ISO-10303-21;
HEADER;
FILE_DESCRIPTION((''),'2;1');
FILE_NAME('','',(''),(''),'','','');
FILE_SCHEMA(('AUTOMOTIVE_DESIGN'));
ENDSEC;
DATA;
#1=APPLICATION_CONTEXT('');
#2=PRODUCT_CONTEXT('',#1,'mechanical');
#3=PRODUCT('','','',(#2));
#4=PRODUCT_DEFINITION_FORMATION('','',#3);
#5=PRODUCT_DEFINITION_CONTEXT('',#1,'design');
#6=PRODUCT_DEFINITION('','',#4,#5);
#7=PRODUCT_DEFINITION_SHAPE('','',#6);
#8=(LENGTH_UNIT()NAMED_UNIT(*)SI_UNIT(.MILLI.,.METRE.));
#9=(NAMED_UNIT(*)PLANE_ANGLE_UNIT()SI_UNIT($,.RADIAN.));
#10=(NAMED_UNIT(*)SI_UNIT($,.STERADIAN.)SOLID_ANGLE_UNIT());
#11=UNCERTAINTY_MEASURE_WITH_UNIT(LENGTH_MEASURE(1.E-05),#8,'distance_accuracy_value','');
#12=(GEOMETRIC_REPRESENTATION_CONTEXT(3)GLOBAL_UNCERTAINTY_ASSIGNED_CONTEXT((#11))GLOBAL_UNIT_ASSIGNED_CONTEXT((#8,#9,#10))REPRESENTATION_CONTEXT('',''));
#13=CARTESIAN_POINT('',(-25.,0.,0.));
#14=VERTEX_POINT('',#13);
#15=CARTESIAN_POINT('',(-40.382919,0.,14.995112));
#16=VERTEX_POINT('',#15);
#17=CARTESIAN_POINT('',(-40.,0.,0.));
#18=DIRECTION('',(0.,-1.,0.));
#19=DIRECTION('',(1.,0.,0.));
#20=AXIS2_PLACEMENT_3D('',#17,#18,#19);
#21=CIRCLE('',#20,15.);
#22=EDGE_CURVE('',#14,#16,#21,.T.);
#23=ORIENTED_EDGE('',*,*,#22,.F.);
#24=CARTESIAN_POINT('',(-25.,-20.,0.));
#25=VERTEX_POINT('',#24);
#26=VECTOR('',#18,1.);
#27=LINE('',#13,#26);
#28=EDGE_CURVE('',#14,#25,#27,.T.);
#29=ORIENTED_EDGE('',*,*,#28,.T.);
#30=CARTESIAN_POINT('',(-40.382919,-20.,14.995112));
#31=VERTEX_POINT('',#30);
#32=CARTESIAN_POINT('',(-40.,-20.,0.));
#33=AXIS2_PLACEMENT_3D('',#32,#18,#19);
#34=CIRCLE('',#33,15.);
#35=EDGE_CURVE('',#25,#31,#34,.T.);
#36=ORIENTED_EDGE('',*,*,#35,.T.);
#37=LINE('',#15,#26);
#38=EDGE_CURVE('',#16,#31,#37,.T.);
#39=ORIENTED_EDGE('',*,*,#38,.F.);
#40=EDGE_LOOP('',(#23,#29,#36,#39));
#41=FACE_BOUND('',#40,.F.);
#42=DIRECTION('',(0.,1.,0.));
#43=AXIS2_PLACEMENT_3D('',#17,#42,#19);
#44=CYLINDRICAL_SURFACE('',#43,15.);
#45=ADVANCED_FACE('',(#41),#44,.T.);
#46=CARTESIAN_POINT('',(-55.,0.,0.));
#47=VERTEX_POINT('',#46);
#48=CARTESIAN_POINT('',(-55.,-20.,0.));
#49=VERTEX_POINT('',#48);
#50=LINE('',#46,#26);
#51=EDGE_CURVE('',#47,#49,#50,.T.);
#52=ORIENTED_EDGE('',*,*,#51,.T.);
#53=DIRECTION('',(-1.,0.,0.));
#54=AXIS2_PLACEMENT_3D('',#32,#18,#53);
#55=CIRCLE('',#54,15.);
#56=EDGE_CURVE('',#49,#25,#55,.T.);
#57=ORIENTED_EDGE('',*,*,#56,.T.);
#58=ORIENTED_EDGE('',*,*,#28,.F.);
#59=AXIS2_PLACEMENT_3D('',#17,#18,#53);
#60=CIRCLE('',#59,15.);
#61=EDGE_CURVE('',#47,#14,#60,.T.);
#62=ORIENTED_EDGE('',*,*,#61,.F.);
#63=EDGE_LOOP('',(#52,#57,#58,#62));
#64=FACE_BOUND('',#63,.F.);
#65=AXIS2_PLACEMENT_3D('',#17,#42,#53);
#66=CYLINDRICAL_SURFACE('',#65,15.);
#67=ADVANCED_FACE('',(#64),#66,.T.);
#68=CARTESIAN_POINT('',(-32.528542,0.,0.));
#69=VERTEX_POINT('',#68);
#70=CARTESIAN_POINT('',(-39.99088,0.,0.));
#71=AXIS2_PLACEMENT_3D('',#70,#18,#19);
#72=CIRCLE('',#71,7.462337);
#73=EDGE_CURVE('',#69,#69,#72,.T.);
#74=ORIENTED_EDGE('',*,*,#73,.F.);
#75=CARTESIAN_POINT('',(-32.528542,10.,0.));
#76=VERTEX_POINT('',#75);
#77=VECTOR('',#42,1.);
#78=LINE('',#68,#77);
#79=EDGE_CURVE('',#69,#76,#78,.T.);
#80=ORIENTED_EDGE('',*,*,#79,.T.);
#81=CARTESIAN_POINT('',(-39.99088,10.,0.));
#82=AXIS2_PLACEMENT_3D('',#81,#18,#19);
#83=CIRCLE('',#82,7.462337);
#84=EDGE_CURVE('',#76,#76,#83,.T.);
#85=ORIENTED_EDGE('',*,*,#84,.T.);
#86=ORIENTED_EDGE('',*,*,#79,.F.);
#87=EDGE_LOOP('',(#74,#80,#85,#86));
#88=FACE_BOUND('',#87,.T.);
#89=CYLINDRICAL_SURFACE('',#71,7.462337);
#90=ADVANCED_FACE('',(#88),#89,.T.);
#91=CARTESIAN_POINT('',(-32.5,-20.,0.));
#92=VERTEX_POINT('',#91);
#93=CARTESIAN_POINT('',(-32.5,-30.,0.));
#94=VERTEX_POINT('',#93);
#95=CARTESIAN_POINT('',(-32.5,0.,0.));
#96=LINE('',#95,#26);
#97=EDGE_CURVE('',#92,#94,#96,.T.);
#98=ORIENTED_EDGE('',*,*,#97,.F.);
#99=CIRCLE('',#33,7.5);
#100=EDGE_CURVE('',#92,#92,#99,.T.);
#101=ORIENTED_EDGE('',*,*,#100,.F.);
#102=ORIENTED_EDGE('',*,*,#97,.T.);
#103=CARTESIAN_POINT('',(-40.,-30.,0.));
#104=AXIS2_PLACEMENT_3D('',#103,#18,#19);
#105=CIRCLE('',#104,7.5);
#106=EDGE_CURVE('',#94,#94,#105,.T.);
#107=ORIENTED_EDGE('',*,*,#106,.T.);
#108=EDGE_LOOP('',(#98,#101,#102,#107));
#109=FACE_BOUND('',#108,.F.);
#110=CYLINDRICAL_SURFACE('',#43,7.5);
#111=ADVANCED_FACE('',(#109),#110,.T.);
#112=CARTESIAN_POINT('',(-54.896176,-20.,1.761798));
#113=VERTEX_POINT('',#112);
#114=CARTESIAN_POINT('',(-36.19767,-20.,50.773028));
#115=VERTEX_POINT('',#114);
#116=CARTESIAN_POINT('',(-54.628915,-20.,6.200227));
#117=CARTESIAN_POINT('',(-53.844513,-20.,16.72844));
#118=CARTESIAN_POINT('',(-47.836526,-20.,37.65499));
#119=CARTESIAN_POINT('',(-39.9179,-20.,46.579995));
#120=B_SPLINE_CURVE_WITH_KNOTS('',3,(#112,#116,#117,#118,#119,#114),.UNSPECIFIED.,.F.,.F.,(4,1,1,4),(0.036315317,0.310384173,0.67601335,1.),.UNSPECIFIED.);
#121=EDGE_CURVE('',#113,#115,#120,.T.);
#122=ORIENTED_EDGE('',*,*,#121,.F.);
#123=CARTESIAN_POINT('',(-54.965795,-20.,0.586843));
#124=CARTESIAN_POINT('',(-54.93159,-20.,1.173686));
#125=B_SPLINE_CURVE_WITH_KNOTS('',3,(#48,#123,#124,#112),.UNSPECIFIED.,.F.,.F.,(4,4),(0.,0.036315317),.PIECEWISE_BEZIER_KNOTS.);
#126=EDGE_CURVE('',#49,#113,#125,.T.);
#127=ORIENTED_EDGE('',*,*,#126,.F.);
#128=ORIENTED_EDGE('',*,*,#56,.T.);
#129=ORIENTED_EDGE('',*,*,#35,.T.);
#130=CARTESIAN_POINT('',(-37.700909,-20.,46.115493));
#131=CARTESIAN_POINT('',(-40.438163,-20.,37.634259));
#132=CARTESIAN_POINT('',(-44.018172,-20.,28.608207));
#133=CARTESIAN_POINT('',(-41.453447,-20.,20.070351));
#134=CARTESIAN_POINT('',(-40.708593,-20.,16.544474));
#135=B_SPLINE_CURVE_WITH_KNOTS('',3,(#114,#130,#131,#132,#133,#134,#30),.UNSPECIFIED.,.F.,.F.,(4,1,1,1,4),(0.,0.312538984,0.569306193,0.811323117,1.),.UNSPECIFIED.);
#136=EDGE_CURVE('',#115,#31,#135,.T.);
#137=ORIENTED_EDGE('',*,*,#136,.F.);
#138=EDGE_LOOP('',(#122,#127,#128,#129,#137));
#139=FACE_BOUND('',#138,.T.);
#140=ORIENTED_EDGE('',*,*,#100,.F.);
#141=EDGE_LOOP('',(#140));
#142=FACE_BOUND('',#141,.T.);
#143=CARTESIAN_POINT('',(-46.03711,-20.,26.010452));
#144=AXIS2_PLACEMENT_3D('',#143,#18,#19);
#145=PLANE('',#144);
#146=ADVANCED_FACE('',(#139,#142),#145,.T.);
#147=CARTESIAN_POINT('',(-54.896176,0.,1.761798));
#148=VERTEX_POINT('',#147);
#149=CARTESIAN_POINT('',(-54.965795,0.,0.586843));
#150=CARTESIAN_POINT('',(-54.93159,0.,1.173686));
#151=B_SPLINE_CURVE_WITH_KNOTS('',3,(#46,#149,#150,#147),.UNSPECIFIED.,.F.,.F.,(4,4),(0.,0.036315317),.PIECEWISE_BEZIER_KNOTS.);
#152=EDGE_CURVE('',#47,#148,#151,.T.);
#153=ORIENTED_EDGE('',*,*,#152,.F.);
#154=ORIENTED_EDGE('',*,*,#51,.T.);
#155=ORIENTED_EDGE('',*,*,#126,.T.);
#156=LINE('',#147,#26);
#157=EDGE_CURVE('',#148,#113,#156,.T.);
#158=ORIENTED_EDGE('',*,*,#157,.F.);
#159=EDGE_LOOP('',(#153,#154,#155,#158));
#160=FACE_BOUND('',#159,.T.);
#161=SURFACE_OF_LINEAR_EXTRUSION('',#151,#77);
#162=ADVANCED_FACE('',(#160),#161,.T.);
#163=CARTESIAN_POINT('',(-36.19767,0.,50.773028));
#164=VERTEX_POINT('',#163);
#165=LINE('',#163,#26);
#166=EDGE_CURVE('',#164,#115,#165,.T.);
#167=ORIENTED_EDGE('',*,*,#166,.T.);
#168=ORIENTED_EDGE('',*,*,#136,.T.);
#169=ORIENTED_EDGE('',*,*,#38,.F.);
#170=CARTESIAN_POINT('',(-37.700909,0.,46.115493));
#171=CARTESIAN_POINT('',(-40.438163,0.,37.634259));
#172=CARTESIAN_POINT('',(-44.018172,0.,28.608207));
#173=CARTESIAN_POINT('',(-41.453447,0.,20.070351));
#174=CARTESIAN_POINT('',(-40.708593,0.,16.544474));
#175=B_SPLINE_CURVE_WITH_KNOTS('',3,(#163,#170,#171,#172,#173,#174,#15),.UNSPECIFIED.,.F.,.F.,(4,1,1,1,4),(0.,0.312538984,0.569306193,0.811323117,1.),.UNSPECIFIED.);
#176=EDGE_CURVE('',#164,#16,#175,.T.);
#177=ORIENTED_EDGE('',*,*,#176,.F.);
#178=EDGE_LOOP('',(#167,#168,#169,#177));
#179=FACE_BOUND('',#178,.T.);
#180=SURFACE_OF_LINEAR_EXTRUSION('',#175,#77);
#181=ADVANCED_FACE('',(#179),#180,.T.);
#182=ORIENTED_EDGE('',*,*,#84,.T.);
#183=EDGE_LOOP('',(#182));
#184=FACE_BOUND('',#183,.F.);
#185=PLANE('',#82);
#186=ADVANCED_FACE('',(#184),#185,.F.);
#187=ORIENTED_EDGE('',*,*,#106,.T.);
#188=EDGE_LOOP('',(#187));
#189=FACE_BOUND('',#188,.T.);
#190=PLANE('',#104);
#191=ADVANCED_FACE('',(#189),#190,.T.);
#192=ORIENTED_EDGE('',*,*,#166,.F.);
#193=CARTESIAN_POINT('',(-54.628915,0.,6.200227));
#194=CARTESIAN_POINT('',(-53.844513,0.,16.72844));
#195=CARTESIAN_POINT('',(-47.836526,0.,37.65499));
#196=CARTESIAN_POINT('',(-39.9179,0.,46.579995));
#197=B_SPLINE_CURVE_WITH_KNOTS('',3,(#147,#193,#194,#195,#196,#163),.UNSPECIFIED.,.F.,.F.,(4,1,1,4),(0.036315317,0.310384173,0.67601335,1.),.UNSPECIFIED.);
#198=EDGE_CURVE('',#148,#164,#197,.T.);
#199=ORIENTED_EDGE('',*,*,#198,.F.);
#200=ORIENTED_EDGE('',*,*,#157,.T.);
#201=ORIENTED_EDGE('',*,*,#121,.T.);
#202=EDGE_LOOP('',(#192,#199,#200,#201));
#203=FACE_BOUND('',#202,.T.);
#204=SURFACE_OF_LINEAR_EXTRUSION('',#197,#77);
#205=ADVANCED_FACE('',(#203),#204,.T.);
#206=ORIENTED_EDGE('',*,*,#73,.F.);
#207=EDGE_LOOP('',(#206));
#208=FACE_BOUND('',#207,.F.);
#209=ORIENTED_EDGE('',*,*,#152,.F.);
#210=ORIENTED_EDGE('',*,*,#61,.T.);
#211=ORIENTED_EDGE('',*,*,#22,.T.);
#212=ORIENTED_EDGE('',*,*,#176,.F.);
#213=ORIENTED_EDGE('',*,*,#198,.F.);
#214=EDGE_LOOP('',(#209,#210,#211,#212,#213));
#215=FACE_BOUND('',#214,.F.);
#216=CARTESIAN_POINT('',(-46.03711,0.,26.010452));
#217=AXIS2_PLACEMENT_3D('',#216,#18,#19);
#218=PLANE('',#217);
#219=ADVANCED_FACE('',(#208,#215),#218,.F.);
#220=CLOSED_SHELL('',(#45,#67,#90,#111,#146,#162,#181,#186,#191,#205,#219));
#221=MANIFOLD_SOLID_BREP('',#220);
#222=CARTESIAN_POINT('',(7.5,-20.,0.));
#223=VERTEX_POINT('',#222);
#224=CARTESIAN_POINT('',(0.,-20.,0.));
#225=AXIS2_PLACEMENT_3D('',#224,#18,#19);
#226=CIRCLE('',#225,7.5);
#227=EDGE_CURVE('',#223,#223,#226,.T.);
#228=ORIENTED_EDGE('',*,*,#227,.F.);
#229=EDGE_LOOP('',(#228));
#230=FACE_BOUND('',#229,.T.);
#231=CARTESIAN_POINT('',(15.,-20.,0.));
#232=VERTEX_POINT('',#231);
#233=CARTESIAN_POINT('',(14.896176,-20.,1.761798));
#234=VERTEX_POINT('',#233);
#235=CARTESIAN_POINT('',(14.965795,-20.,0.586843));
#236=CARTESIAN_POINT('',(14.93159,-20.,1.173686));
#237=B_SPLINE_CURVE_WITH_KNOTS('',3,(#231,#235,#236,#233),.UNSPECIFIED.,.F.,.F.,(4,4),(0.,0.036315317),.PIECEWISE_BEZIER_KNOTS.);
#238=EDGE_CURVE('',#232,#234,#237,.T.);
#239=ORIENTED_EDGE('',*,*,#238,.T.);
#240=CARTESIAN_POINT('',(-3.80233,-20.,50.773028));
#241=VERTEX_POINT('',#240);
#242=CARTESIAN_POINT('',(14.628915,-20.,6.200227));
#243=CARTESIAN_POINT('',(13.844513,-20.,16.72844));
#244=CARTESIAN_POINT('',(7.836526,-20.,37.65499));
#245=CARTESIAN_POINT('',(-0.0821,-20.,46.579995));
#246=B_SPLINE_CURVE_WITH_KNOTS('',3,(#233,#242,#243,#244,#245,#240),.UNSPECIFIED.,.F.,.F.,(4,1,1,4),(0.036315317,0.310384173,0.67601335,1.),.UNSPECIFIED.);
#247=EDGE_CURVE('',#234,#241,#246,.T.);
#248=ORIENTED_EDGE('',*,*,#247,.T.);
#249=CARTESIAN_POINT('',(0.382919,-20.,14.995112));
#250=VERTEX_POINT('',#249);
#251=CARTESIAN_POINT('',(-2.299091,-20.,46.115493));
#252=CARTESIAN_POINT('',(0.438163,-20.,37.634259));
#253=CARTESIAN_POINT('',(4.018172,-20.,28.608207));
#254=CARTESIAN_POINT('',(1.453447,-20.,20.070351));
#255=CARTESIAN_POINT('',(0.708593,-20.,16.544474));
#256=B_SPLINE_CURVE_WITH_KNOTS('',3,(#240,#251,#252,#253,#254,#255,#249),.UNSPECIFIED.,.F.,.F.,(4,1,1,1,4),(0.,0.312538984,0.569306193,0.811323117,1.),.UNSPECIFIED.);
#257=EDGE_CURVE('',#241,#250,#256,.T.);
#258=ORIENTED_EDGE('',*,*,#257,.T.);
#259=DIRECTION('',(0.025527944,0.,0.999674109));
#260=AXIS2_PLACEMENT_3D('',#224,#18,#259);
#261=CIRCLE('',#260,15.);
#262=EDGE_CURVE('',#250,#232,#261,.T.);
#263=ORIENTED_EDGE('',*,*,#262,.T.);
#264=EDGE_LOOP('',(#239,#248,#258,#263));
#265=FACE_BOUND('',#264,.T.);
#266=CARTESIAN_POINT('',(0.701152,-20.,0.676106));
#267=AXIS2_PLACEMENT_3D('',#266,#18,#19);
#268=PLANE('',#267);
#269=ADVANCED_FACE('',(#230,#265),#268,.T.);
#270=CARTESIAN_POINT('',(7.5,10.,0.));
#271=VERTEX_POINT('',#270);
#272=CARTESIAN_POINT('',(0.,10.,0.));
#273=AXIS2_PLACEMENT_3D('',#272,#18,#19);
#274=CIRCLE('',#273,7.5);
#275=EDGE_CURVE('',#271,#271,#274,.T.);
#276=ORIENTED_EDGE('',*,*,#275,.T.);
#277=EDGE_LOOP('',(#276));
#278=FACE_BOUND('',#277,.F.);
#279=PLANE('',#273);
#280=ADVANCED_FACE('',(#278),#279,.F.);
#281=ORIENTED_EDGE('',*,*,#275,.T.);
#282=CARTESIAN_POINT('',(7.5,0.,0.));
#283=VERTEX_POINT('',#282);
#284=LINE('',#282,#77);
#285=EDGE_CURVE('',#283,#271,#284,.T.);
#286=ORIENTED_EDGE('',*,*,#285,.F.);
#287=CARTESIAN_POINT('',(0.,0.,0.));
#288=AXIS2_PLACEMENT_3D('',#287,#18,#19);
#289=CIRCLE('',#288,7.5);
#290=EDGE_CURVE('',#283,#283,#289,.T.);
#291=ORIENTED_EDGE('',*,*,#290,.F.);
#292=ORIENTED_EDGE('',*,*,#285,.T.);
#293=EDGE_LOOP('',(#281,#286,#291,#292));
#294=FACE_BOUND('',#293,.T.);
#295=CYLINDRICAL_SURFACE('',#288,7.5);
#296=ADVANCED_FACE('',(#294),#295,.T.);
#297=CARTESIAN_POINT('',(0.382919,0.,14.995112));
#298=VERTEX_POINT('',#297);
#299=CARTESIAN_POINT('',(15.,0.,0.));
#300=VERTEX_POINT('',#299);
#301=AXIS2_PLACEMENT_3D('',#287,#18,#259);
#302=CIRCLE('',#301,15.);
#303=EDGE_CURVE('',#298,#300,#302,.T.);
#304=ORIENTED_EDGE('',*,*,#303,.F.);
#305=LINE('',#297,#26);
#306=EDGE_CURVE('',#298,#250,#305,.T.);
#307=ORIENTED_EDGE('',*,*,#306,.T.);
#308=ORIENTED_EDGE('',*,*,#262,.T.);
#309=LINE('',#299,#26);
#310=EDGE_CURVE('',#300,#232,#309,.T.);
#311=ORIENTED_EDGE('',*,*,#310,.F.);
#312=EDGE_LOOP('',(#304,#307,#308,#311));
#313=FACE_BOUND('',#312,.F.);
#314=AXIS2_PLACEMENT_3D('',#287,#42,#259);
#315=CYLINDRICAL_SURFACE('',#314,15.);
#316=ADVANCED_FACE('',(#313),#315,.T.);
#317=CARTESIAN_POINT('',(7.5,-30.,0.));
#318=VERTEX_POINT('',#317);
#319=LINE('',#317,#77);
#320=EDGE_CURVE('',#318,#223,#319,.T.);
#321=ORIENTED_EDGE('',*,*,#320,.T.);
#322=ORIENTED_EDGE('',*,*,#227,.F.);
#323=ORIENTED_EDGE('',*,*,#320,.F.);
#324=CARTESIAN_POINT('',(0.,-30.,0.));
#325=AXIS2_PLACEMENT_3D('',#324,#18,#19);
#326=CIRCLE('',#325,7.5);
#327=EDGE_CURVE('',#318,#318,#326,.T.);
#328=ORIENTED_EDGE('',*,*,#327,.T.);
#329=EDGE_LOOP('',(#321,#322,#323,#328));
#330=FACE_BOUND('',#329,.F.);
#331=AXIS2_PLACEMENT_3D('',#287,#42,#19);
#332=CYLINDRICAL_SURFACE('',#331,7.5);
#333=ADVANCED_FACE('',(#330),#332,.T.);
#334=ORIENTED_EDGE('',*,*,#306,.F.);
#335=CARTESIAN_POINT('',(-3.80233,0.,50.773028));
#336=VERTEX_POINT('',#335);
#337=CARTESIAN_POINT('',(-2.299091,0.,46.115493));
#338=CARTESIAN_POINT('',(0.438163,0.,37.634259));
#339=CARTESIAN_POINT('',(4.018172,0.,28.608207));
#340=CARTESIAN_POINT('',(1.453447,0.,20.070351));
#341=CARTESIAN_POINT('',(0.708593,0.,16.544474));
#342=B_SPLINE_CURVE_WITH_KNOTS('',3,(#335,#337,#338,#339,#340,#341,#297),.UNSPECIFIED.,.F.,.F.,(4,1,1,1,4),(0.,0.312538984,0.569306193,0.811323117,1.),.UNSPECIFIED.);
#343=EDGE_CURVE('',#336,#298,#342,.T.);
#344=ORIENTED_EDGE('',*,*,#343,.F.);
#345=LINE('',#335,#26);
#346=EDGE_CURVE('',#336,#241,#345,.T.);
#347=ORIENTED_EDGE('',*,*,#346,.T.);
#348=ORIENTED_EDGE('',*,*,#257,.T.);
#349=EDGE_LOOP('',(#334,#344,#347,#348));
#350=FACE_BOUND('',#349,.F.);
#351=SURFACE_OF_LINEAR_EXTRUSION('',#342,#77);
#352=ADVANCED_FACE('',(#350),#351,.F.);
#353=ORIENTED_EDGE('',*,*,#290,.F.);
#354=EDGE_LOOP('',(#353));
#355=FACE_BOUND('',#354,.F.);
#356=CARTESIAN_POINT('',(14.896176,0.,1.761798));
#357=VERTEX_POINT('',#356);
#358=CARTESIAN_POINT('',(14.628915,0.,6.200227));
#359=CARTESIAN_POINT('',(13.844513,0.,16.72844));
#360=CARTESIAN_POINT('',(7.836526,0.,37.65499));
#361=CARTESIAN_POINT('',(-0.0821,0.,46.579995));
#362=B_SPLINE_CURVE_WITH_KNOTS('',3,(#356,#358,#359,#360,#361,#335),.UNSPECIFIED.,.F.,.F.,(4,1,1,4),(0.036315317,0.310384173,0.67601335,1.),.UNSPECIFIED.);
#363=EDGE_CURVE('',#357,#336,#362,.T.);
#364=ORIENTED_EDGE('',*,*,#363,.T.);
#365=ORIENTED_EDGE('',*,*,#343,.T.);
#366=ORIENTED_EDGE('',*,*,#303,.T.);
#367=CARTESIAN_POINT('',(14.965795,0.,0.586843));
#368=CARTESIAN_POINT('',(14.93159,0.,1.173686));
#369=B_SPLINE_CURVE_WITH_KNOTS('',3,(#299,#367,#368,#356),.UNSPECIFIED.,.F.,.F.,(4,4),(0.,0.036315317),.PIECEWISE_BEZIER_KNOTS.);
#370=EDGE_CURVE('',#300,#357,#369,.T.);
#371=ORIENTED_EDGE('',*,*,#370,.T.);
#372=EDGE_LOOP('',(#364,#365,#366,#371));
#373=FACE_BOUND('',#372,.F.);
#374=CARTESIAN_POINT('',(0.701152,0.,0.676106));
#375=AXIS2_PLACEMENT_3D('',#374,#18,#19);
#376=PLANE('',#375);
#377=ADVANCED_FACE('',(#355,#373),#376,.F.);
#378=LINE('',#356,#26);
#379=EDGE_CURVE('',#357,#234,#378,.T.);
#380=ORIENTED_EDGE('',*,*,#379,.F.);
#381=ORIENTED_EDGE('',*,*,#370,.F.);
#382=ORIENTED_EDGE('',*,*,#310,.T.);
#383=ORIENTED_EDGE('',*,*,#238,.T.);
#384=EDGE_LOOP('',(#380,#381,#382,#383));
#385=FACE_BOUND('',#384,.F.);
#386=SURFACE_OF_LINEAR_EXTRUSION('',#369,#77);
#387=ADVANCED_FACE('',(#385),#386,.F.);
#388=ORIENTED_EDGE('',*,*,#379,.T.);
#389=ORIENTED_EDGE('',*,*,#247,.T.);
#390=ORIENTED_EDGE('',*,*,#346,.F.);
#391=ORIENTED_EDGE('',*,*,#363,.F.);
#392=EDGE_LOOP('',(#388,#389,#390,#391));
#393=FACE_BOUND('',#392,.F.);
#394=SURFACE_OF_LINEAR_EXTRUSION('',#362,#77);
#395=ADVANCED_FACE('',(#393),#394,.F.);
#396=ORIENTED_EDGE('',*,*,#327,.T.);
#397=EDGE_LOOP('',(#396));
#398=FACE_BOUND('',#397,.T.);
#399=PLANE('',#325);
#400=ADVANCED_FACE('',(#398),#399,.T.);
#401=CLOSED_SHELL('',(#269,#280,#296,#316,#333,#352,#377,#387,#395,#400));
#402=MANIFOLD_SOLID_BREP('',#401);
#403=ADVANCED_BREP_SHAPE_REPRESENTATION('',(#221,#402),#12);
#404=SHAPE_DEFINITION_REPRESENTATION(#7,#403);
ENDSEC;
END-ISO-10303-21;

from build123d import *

# Parameters (mm, degrees)
F0_R          = 7.5
F1_DEPTH      = 20
F3_DEPTH      = 30
F2_R          = 7.4623374199
F4_DEPTH      = 25
F4_DEPTH_BACK = 10
F5_DEPTH      = 30
F6_DEPTH      = 25
F6_DEPTH_BACK = 10


with BuildPart() as f1:
    # F0 (on Front) → F1 (new body)
    with BuildSketch(Plane.XZ):
        with BuildLine():
            ThreePointArc((-54.8961763386, 1.7617975164), (-50.1065741182, 11.0840948929), (-40.3829191544, 14.9951116342))
            add(Edge.make_bspline(
                [(-36.1976698041, 50.7730282843), (-37.7009093441, 46.1154933355), (-40.4381626311, 37.6342591201), (-44.0181723105, 28.6082070233), (-41.4534466343, 20.0703507947), (-40.7085925845, 16.5444741892), (-40.3829191544, 14.9951116342)],
                knots=[0, 0, 0, 0, 0.3125389838, 0.5693061929, 0.8113231168, 1, 1, 1, 1], degree=3))
            add(Edge.make_bspline(
                [(-54.8961763386, 1.7617975164), (-54.6289154177, 6.200226793), (-53.8445133009, 16.72844038), (-47.8365264853, 37.6549899489), (-39.9178996464, 46.5799946364), (-36.1976698041, 50.7730282843)],
                knots=[0.0363153169, 0.0363153169, 0.0363153169, 0.0363153169, 0.3103841732, 0.6760133505, 1, 1, 1, 1], degree=3))
        make_face()
        with BuildLine():
            ThreePointArc((-55, 0), (-40, -15), (-25, 0))
            ThreePointArc((-25, 0), (-29.5296558632, 10.7411309301), (-40.3829191544, 14.9951116342))
            ThreePointArc((-40.3829191544, 14.9951116342), (-50.1065741182, 11.0840948929), (-54.8961763386, 1.7617975164))
            add(Edge.make_bspline(
                [(-55, 0), (-54.9657947872, 0.5868431554), (-54.9315895744, 1.1736863108), (-54.8961763386, 1.7617975164)],
                knots=[0, 0, 0, 0, 0.0363153169, 0.0363153169, 0.0363153169, 0.0363153169], degree=3))
        make_face()
        with Locations((-40, 0)):
            Circle(F0_R, mode=Mode.SUBTRACT)
    extrude(amount=F1_DEPTH)

    # F0 (on Front) → F3 (join)
    with BuildSketch(Plane.XZ):
        with Locations((-40, 0)):
            Circle(F0_R)
    extrude(amount=F3_DEPTH)

    # F2 (on Front) → F4 (join, two sides)
    with BuildSketch(Plane.XZ) as f4_sk:
        with Locations((-39.9908795953, 0)):
            Circle(F2_R)
    extrude(amount=F4_DEPTH)
    extrude(f4_sk.sketch, amount=-F4_DEPTH_BACK)


with BuildPart() as f1b:
    # F0 (on Front) → F1, piece 2 (new body)
    with BuildSketch(Plane.XZ):
        with BuildLine():
            ThreePointArc((14.8961763386, 1.7617975164), (10.1065741182, 11.0840948929), (0.3829191544, 14.9951116342))
            ThreePointArc((0.3829191544, 14.9951116342), (-10.7411309301, -10.4703441368), (15, 0))
            add(Edge.make_bspline(
                [(15, 0), (14.9657947872, 0.5868431554), (14.9315895744, 1.1736863108), (14.8961763386, 1.7617975164)],
                knots=[0, 0, 0, 0, 0.0363153169, 0.0363153169, 0.0363153169, 0.0363153169], degree=3))
        make_face()
        Circle(F0_R, mode=Mode.SUBTRACT)
        with BuildLine():
            add(Edge.make_bspline(
                [(-3.8023301959, 50.7730282843), (-2.2990906559, 46.1154933355), (0.4381626311, 37.6342591201), (4.0181723105, 28.6082070233), (1.4534466343, 20.0703507947), (0.7085925845, 16.5444741892), (0.3829191544, 14.9951116342)],
                knots=[0, 0, 0, 0, 0.3125389838, 0.5693061929, 0.8113231168, 1, 1, 1, 1], degree=3))
            ThreePointArc((0.3829191544, 14.9951116342), (10.1065741182, 11.0840948929), (14.8961763386, 1.7617975164))
            add(Edge.make_bspline(
                [(14.8961763386, 1.7617975164), (14.6289154177, 6.200226793), (13.8445133009, 16.72844038), (7.8365264853, 37.6549899489), (-0.0821003536, 46.5799946364), (-3.8023301959, 50.7730282843)],
                knots=[0.0363153169, 0.0363153169, 0.0363153169, 0.0363153169, 0.3103841732, 0.6760133505, 1, 1, 1, 1], degree=3))
        make_face()
    extrude(amount=F1_DEPTH)

    # F0 (on Front) → F5 (join)
    with BuildSketch(Plane.XZ):
        Circle(F0_R)
    extrude(amount=F5_DEPTH)

    # F0 (on Front) → F6 (join, two sides)
    with BuildSketch(Plane.XZ) as f6_sk:
        Circle(F0_R)
    extrude(amount=F6_DEPTH)
    extrude(f6_sk.sketch, amount=-F6_DEPTH_BACK)


solid = Compound([f1.part, f1b.part])
